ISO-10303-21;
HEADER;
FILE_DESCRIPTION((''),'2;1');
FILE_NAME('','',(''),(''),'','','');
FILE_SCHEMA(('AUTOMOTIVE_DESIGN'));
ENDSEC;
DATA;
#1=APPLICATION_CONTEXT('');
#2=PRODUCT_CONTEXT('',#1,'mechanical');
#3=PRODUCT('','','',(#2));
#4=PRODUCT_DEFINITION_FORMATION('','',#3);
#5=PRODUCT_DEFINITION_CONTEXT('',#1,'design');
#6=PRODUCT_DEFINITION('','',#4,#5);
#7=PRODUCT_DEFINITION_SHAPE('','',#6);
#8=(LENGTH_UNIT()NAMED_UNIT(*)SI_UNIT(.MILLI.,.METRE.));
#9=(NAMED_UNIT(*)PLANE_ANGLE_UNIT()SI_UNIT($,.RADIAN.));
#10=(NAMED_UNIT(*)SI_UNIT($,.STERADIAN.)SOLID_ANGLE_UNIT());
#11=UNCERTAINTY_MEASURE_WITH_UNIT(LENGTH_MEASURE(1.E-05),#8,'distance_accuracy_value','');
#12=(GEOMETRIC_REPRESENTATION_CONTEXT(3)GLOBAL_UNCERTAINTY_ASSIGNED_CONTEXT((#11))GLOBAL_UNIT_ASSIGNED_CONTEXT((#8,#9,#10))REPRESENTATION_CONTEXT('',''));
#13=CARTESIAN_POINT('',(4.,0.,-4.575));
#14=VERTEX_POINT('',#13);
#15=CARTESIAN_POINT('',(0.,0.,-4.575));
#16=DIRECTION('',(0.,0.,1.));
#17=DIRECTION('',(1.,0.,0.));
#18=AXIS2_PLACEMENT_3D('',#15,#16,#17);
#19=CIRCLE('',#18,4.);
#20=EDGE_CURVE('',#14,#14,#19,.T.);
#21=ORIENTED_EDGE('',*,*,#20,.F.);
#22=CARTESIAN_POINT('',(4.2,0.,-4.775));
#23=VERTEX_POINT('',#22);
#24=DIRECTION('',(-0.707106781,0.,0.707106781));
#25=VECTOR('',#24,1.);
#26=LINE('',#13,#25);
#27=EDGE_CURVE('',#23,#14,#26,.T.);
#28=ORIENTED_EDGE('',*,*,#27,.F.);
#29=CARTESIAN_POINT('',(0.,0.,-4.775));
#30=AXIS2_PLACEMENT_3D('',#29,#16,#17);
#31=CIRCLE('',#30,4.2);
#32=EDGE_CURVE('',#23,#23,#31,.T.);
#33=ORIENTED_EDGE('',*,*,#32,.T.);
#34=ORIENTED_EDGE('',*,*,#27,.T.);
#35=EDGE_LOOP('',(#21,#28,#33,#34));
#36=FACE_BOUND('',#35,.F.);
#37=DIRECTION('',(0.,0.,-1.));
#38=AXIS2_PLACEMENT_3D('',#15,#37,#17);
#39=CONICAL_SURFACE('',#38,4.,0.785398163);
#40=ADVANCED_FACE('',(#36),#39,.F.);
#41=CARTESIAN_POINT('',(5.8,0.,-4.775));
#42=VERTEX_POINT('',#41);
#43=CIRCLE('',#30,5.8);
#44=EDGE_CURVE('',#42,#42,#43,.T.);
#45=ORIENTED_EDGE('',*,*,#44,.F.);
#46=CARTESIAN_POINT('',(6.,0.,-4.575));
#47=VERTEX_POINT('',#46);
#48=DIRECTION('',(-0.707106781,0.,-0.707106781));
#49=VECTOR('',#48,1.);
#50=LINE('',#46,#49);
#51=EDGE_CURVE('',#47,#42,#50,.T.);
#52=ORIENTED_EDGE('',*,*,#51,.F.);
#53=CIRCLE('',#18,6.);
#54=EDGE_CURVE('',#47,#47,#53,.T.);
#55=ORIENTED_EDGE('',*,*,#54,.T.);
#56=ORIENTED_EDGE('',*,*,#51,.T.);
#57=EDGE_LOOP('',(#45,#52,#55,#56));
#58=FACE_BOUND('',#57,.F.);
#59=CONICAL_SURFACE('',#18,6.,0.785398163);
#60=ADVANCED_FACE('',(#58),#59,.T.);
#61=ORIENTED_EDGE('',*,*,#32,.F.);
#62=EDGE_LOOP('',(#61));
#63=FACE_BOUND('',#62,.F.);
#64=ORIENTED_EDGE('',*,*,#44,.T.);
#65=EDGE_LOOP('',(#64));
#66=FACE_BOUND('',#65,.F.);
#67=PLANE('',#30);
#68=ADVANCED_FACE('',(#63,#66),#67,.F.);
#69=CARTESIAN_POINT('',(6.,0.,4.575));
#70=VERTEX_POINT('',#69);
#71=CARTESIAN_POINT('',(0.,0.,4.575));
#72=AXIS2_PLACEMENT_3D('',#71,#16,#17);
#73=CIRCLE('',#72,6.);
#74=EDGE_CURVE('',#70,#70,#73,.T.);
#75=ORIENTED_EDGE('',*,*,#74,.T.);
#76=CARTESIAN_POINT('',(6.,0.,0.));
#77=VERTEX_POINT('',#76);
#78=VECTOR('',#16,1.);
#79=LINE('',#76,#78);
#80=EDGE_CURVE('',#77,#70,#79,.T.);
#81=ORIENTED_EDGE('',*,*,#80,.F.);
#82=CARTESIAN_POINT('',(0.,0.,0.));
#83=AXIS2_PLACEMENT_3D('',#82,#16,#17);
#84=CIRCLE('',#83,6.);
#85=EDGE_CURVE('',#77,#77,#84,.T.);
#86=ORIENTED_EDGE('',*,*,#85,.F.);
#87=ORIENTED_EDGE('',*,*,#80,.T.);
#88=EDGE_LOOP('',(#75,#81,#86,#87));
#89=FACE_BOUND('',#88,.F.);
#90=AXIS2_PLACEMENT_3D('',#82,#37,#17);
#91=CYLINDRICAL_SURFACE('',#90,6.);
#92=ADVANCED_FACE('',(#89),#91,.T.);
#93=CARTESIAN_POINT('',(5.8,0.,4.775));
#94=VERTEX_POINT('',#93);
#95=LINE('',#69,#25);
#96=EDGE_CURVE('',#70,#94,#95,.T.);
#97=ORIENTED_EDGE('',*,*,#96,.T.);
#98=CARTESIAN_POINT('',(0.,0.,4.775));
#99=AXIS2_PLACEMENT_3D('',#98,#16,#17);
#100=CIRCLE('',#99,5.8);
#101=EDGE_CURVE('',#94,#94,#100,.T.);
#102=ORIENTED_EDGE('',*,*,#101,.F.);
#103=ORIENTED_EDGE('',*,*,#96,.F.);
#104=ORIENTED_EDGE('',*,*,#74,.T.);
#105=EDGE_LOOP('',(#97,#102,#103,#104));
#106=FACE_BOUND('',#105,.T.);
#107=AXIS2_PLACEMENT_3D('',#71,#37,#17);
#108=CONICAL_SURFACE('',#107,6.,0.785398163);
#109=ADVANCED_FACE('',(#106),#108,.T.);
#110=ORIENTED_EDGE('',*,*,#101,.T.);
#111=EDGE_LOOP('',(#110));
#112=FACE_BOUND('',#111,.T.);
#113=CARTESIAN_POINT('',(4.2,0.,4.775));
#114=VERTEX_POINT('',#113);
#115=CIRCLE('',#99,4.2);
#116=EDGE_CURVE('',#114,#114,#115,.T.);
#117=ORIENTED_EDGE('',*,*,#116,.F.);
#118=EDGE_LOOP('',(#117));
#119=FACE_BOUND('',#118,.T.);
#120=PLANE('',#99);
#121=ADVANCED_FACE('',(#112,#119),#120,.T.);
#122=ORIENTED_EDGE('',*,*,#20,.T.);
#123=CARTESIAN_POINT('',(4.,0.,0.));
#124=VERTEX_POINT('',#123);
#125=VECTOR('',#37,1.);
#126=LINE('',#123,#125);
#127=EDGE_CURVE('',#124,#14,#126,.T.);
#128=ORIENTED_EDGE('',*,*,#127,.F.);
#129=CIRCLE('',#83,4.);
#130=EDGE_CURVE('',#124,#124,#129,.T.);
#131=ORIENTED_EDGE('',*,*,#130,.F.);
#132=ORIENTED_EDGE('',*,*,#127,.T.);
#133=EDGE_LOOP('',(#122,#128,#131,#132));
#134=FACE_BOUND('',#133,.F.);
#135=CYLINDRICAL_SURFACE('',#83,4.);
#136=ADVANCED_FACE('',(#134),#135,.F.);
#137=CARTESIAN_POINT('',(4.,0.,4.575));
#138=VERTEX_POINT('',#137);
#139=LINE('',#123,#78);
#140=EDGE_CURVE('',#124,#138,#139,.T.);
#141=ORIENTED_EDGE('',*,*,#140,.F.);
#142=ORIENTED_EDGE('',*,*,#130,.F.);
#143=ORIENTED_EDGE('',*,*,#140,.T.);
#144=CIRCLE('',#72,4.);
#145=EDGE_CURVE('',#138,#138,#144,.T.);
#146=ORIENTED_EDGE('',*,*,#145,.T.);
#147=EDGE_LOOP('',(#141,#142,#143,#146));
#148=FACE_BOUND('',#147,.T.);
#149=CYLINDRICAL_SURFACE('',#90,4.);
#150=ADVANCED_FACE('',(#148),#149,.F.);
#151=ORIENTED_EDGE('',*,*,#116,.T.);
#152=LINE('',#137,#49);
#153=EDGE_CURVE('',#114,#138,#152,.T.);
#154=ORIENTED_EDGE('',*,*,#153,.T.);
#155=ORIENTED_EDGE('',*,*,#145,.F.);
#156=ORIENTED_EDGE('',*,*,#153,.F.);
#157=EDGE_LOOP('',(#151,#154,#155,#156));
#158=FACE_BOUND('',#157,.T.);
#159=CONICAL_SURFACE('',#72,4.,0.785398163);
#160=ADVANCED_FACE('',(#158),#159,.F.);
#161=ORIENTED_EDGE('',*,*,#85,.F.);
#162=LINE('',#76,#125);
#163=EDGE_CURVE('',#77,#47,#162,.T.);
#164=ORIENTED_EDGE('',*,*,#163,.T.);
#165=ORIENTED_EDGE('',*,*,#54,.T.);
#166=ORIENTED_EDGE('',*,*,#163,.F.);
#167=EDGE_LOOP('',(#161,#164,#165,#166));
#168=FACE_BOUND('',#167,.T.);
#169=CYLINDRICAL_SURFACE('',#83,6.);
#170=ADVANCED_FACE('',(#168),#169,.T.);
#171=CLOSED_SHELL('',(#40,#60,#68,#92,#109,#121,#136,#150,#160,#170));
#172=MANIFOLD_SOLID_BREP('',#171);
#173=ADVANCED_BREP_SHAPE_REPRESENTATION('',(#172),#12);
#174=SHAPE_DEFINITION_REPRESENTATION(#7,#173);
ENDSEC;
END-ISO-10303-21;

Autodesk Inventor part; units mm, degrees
ref_plane "YZ Plane" through (0, 0, 0) normal (1, 0, 0) x (0, 1, 0)
ref_plane "XZ Plane" through (0, 0, 0) normal (0, 1, 0) x (-1, 0, 0)
ref_plane "XY Plane" through (0, 0, 0) normal (0, 0, 1) x (1, 0, 0)
sketch "スケッチ1" plane through (0, 0, 0) normal (0, 0, 1) x (1, 0, 0)
  circle A0 centre (0, 0) radius 4
  circle A1 centre (0, 0) radius 6
  dimension "d0" = 8
  dimension "d1" = 12
extrude "押し出し1" add sketch "スケッチ1" along normal mid plane 9.55
chamfer "面取り1" distance 0.2 angle 45 4 edges at (-6, 0, 4.775) (-4, 0, 4.775) (-6, 0, -4.775) (-4, 0, -4.775)
properties part number "spacer10" material "ABS プラスチック"
